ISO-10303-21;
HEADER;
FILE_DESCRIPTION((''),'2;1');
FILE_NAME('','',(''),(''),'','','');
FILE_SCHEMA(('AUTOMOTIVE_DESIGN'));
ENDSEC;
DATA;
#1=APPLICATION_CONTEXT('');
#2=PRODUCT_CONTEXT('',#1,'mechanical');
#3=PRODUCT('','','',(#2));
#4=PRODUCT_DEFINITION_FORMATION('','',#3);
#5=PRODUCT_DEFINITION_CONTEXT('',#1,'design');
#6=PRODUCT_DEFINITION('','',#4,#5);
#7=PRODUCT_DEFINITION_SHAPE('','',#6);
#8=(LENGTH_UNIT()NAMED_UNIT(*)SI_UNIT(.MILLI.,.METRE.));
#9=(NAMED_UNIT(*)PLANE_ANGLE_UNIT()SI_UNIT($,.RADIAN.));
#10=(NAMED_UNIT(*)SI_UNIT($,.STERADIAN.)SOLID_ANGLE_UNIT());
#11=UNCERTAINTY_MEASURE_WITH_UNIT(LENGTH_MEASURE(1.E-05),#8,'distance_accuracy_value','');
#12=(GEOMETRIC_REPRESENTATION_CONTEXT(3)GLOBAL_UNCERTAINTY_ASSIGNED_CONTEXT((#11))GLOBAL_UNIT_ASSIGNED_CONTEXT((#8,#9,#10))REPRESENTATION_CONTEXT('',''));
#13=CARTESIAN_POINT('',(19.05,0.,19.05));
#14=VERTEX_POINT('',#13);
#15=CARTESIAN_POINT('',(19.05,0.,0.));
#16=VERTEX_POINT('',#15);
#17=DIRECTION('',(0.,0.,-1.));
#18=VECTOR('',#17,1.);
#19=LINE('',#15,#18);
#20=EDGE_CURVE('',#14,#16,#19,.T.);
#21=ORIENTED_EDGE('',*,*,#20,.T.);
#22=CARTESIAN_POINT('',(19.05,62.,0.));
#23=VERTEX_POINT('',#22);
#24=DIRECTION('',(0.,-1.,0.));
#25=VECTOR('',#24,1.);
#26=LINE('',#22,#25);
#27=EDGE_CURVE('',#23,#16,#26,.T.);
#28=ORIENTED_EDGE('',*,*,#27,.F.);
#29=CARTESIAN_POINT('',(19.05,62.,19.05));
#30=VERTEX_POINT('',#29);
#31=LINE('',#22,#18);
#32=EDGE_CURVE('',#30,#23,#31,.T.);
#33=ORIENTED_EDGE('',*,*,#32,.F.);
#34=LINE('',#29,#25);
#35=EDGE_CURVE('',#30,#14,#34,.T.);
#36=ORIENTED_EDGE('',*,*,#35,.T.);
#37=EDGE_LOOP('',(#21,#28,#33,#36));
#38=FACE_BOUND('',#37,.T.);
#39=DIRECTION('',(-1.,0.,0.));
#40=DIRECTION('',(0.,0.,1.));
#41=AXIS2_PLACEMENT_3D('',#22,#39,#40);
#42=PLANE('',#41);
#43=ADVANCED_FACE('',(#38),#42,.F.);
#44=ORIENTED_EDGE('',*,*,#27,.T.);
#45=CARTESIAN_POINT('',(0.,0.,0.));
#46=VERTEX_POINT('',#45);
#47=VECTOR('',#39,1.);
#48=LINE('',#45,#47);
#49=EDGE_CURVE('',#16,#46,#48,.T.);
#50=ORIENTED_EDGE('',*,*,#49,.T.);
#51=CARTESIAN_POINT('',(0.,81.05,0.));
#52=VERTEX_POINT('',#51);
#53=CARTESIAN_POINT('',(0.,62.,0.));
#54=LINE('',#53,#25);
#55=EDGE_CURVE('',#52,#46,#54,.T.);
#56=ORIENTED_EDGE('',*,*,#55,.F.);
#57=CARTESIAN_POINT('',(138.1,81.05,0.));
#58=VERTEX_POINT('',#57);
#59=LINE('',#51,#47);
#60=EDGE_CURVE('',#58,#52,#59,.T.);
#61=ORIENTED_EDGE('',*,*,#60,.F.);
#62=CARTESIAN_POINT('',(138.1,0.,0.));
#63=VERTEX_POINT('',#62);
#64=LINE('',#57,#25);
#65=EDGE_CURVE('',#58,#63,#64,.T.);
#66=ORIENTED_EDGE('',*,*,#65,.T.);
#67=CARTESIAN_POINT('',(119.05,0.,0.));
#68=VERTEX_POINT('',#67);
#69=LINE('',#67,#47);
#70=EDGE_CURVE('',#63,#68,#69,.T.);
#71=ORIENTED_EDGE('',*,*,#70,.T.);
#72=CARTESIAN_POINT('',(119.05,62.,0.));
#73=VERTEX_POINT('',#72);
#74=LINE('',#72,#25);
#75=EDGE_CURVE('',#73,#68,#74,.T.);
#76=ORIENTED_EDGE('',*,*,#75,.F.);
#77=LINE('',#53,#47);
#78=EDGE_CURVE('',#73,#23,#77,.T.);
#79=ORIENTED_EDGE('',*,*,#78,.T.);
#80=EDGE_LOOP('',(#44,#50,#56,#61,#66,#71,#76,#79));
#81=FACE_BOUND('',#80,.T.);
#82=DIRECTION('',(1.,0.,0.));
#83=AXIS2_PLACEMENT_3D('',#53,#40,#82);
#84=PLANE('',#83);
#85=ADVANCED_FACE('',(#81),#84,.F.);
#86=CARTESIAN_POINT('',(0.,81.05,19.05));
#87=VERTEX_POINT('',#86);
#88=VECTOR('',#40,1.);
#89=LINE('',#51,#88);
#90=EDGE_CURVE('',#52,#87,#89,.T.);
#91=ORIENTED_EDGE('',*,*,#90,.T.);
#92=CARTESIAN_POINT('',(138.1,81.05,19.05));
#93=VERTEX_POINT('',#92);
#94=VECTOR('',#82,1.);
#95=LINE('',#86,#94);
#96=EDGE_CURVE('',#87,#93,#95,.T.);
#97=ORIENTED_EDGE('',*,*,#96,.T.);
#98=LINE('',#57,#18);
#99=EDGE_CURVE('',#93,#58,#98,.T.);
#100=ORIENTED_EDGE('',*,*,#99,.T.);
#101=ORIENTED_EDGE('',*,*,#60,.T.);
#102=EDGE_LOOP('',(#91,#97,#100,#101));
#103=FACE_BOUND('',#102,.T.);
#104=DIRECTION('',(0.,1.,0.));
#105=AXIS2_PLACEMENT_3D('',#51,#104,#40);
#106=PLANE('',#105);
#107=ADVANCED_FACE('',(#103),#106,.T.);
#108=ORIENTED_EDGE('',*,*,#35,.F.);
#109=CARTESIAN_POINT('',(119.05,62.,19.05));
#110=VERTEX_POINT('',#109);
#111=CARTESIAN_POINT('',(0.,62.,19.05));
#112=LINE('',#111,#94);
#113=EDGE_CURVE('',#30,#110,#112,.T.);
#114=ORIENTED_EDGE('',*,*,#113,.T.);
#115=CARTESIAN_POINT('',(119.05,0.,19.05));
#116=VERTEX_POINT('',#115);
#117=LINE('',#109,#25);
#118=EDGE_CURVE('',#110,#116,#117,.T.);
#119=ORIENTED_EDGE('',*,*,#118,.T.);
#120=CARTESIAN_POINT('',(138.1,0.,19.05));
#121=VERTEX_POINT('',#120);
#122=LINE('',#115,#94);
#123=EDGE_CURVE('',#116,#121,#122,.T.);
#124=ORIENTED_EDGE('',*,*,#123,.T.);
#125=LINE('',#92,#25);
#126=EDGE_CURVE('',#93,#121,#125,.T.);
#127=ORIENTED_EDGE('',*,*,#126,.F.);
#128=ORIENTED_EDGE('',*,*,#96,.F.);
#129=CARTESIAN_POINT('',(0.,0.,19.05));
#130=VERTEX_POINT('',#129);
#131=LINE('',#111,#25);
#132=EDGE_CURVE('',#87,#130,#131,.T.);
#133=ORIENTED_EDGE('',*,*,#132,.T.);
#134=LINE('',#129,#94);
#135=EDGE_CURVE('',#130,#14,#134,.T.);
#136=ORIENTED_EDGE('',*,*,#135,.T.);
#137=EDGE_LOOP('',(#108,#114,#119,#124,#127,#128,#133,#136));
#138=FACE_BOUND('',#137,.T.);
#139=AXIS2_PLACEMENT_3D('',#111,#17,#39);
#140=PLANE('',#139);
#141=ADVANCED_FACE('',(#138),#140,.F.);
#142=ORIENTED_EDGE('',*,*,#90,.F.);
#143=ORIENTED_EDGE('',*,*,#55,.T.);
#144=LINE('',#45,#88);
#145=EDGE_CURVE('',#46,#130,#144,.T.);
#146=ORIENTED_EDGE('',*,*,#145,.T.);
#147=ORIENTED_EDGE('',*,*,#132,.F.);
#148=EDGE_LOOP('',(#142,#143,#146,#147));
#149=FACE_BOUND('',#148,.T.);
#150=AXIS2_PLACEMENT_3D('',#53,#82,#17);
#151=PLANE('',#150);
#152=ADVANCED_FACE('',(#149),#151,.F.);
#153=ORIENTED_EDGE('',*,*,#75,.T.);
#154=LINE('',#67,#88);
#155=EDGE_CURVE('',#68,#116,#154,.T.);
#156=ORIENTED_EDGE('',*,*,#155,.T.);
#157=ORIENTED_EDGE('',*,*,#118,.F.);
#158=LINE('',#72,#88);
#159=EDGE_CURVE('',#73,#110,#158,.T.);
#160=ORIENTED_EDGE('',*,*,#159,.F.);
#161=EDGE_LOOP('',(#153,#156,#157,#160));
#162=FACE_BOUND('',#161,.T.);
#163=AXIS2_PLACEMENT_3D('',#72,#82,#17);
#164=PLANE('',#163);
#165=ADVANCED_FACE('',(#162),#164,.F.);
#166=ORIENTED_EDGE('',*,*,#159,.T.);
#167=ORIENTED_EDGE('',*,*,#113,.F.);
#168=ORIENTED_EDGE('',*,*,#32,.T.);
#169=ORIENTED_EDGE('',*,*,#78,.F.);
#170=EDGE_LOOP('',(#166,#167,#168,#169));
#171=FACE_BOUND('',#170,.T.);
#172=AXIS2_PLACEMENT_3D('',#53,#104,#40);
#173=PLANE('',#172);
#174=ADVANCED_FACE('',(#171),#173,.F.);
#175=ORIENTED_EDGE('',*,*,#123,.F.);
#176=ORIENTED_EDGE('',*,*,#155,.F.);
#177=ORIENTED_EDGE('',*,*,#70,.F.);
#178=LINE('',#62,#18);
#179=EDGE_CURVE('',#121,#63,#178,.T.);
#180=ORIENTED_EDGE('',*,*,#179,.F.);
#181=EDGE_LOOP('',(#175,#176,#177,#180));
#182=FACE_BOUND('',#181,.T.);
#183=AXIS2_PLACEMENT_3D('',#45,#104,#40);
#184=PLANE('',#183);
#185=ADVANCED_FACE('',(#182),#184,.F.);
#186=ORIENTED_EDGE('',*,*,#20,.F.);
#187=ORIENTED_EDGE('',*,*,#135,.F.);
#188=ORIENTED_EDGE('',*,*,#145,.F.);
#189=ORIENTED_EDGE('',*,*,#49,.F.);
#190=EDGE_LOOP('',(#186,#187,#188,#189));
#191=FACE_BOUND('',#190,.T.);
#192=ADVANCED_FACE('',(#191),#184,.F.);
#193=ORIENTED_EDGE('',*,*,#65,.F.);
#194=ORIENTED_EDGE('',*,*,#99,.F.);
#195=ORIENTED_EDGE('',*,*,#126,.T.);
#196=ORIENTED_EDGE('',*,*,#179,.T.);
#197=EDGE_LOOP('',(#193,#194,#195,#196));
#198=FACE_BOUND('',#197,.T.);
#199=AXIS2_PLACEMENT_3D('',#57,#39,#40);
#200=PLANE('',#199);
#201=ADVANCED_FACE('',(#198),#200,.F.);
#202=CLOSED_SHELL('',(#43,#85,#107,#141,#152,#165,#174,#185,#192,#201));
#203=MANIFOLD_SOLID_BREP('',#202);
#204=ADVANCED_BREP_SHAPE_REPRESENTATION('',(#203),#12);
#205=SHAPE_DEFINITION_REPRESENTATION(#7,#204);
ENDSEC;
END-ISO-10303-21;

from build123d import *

# Parameters (mm, degrees)
SKETCH2_W             = 19.05
SKETCH2_H             = 19.05
BOSS_EXTRUDE1_DEPTH   = 62
BOSS_EXTRUDE1_2_DEPTH = 62
SKETCH3_W             = 138.1
SKETCH3_H             = 19.05
BOSS_EXTRUDE2_DEPTH   = 19.05


with BuildPart() as part:
    # Sketch2 → Boss-Extrude1 (new body)
    with BuildSketch(Plane(origin=(0, 0, 0), x_dir=(1, 0, 0), z_dir=(0, 1, 0))):
        with Locations((9.525, -9.525)):
            Rectangle(SKETCH2_W, SKETCH2_H)
    extrude(amount=BOSS_EXTRUDE1_DEPTH)



with BuildPart() as body_2:
    # Sketch2 → Boss-Extrude1 2 (new body)
    with BuildSketch(Plane(origin=(0, 0, 0), x_dir=(1, 0, 0), z_dir=(0, 1, 0))):
        with Locations((128.575, -9.525)):
            Rectangle(SKETCH2_W, SKETCH2_H)
    extrude(amount=BOSS_EXTRUDE1_2_DEPTH)


with BuildPart() as part_1:
    add(part.part)

    add(body_2.part)  # Boss-Extrude2 merges body 2
    # Sketch3 → Boss-Extrude2 (add)
    with BuildSketch(Plane(origin=(0, 62, 0), x_dir=(1, 0, 0), z_dir=(0, 1, 0))):
        with Locations((69.05, -9.525)):
            Rectangle(SKETCH3_W, SKETCH3_H)
    extrude(amount=BOSS_EXTRUDE2_DEPTH)


solid = part_1.part
